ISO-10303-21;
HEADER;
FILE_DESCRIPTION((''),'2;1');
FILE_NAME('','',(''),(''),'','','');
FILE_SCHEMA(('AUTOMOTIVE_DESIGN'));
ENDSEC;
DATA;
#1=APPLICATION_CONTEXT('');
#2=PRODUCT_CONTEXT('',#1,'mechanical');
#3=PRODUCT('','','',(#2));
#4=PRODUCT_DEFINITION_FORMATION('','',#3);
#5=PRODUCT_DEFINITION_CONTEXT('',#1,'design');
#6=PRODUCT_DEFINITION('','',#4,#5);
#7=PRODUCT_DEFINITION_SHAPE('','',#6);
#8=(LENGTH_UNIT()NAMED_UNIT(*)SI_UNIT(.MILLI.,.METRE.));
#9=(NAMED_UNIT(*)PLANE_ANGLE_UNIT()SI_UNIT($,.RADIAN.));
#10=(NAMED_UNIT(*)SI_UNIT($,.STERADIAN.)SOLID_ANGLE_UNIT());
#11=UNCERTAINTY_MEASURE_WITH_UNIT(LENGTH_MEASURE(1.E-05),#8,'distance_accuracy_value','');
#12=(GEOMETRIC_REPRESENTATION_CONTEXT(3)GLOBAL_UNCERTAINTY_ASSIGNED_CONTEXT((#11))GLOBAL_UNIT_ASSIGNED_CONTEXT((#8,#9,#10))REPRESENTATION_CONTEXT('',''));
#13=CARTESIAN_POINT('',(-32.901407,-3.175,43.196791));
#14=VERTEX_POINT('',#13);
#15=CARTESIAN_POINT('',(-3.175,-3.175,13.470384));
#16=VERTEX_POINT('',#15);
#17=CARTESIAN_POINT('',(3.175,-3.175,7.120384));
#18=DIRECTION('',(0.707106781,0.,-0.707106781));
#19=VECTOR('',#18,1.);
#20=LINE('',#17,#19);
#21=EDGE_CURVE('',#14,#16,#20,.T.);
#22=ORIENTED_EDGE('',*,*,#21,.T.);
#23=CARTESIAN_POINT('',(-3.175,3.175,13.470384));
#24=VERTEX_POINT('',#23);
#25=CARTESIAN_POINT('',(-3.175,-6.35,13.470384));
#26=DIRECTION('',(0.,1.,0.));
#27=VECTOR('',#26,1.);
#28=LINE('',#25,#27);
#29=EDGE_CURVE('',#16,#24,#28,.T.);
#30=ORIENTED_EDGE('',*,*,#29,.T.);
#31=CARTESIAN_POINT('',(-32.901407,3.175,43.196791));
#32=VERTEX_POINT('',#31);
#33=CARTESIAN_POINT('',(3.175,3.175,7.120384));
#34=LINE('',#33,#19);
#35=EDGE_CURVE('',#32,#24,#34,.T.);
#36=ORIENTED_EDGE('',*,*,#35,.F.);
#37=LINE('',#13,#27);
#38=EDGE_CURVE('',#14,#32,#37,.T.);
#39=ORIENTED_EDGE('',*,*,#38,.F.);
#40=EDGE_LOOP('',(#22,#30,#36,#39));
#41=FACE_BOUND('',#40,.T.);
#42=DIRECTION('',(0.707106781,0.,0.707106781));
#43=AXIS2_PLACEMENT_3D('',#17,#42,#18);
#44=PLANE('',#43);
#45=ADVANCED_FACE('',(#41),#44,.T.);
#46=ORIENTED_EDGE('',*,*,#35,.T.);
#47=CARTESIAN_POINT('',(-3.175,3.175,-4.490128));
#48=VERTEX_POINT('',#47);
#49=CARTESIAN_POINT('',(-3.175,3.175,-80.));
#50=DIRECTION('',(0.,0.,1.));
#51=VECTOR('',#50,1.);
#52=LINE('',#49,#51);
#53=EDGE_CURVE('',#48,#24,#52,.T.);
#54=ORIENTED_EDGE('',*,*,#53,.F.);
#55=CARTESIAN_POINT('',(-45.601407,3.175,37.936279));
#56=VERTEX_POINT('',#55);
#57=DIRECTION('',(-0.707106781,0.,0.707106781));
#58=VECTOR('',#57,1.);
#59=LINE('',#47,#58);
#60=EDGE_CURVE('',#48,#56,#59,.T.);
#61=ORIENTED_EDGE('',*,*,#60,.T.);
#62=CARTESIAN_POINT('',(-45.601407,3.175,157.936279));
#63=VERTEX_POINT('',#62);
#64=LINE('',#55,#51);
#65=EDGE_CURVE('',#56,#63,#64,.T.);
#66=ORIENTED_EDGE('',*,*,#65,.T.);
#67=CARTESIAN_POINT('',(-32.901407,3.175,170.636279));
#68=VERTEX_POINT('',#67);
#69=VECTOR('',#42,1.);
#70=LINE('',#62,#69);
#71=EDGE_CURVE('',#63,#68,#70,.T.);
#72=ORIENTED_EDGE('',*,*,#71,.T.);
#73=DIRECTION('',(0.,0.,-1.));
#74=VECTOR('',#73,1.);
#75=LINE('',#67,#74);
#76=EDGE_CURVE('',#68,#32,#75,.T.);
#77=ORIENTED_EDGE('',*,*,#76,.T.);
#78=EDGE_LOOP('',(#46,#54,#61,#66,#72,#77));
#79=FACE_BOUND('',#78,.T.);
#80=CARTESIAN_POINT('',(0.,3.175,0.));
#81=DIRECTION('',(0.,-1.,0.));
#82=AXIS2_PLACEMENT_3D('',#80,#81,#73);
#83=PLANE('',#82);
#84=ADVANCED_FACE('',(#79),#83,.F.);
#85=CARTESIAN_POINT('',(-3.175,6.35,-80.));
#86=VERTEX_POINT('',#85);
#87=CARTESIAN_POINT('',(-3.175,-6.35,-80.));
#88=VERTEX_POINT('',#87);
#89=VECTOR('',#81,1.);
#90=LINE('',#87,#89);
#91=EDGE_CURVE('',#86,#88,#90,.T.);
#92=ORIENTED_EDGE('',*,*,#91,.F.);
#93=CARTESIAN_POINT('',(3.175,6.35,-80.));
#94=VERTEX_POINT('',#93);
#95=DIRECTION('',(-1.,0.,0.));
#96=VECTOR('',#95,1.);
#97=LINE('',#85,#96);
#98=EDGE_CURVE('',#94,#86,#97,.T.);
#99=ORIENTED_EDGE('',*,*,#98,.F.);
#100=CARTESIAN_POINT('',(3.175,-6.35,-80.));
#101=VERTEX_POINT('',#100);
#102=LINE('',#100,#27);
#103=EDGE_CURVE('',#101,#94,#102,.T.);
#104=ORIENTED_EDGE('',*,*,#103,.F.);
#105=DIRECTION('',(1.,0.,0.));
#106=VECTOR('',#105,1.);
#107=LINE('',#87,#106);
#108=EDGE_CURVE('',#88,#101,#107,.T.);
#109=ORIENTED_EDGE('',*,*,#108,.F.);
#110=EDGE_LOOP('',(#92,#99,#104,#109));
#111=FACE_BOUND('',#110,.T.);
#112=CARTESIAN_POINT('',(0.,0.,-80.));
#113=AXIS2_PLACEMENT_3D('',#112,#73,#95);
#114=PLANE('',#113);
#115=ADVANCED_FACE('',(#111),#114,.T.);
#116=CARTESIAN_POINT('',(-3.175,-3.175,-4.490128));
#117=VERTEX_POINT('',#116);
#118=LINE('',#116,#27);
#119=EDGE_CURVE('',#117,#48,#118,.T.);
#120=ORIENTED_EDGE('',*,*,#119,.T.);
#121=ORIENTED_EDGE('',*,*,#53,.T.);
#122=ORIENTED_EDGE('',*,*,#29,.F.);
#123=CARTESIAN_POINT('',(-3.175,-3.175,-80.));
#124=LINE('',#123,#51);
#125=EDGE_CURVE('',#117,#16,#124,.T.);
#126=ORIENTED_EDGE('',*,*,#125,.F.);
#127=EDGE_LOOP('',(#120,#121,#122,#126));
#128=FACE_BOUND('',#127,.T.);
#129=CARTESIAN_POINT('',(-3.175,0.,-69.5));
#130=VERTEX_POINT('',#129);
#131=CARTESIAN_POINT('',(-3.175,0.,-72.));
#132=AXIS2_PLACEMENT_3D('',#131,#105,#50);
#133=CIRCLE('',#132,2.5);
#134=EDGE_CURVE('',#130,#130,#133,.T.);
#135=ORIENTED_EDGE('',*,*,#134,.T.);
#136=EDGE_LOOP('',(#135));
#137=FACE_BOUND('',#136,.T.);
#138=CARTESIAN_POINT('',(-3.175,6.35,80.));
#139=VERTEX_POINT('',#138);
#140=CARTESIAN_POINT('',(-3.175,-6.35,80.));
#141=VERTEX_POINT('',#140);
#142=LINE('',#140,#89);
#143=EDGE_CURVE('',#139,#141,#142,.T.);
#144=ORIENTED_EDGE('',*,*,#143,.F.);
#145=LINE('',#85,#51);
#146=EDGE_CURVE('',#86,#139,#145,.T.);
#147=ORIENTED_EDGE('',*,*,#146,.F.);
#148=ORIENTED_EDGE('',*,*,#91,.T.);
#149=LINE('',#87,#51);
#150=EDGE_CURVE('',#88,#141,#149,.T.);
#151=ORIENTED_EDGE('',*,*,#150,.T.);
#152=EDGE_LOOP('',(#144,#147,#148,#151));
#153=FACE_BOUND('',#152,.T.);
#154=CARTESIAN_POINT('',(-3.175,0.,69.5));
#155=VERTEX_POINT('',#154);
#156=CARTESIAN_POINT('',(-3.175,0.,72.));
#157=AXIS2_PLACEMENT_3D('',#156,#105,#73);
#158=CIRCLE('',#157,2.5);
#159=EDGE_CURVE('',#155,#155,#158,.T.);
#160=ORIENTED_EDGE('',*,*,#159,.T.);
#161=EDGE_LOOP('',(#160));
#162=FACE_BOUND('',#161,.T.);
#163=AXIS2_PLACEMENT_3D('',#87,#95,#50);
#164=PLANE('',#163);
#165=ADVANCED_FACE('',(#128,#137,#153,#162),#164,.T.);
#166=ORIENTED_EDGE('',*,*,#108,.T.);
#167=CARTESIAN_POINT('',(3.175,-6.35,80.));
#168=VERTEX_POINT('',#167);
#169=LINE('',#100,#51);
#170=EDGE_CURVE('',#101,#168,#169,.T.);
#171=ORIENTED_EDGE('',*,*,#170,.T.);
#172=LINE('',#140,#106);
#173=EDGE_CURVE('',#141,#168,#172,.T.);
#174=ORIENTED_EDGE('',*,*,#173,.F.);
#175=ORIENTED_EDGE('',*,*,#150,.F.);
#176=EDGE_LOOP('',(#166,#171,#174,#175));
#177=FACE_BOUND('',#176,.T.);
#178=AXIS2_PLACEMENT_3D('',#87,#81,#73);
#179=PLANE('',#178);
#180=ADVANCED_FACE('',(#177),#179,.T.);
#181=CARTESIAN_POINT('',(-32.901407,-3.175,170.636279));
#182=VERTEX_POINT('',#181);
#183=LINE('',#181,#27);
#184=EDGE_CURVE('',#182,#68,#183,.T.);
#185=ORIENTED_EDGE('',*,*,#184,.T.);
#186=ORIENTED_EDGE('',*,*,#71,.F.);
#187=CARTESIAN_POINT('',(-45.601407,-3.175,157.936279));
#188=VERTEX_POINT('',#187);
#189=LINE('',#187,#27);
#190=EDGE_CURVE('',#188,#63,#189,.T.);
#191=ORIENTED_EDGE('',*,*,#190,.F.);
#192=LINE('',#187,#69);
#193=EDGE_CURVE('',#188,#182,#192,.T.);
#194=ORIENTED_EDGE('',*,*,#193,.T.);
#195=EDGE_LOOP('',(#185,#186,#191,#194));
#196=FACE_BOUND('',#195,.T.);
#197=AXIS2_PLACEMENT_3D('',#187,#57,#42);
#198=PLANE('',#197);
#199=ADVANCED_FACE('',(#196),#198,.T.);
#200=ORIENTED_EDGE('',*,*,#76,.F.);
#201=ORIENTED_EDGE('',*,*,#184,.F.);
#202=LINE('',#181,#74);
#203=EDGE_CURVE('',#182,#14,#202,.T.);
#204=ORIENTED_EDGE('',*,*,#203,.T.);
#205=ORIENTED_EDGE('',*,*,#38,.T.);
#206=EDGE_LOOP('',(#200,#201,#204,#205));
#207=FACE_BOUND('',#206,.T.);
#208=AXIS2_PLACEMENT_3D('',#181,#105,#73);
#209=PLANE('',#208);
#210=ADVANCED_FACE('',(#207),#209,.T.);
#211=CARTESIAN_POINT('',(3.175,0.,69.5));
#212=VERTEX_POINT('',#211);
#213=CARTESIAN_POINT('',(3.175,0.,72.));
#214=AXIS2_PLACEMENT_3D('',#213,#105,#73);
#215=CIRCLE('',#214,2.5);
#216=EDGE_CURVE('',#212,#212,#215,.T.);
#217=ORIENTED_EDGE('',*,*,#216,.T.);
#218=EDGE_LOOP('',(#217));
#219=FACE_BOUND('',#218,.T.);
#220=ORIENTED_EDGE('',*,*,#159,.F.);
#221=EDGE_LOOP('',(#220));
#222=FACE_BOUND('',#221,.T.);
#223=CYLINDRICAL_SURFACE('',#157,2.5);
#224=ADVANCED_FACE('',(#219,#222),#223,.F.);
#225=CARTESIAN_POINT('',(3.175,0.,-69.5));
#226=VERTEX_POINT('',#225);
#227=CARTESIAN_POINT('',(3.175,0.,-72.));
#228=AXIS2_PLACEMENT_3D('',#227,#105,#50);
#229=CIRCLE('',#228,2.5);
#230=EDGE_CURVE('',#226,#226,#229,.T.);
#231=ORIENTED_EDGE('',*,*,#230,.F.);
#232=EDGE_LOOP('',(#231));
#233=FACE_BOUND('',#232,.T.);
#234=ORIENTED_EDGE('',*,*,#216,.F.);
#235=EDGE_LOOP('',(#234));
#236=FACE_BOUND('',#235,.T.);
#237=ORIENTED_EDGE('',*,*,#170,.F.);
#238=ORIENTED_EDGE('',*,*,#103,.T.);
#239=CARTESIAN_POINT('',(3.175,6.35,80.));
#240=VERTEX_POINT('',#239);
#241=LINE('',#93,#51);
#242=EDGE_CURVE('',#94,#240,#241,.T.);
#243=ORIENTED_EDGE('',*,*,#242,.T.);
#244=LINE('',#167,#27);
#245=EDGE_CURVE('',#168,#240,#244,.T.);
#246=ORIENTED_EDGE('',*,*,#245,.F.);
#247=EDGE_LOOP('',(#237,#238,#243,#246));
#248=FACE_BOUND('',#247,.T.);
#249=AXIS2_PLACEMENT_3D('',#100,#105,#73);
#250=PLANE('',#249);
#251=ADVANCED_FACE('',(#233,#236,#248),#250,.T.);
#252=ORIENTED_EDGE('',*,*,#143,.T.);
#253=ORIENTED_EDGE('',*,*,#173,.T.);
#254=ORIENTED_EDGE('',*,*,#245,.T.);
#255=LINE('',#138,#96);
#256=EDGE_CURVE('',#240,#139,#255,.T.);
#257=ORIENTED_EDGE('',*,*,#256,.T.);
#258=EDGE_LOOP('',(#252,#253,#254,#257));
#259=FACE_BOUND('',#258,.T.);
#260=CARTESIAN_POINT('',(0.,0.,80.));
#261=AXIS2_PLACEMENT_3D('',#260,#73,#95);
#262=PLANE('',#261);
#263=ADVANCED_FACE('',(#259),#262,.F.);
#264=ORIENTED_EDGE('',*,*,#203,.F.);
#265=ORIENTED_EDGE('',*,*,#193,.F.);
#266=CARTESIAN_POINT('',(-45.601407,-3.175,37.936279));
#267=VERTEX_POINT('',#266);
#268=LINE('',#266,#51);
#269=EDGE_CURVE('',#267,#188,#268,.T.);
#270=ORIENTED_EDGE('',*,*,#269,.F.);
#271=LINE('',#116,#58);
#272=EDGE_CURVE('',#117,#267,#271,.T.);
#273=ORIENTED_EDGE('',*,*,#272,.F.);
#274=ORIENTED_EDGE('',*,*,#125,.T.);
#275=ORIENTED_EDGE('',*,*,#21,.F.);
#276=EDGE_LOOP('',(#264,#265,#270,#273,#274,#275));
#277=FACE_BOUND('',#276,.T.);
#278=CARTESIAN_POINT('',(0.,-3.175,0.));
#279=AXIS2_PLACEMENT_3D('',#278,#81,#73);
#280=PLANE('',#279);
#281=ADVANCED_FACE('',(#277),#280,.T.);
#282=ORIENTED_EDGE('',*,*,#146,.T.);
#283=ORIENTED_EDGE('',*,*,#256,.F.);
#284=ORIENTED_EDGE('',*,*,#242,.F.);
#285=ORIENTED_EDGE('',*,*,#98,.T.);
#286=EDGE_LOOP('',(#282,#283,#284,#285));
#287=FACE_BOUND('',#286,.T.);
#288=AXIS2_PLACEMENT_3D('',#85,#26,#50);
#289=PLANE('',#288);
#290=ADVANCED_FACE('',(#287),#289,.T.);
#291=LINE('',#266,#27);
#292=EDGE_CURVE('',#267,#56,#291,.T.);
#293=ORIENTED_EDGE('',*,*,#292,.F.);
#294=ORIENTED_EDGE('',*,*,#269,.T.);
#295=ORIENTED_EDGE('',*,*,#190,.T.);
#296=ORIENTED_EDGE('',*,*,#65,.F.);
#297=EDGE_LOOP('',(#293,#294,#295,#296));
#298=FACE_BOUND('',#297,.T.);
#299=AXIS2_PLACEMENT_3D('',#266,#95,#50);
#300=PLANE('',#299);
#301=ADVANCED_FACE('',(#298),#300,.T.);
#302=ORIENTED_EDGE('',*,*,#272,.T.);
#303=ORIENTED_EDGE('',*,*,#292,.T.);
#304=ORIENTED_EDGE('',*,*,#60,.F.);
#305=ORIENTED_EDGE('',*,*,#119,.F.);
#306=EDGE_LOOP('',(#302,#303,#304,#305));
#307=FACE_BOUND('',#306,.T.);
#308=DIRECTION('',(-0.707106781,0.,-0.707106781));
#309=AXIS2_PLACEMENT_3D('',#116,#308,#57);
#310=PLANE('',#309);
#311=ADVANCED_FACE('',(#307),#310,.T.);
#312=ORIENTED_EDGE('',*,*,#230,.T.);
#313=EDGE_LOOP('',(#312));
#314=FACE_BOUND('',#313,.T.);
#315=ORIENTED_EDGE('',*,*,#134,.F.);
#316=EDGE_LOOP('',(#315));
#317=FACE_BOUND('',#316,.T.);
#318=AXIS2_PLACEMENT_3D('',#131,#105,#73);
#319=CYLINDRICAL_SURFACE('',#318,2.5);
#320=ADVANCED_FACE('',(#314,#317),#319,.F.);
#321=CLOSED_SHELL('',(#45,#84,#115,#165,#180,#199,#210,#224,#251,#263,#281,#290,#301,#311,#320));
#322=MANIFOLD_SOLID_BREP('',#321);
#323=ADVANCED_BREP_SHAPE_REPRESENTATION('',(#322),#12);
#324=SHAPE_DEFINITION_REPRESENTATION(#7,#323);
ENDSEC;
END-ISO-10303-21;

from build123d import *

# Parameters (mm, degrees)
BOSS_EXTRUDE1_DEPTH      = 80
BOSS_EXTRUDE1_DEPTH_BACK = 80
SKETCH2_W                = 6.35
SKETCH2_H                = 12.7
SKETCH4_R                = 2.5
CUT_EXTRUDE1_DEPTH       = 81.502453379
BOSS_EXTRUDE2_DEPTH      = 3.175
BOSS_EXTRUDE2_DEPTH_BACK = 3.175


with BuildPart() as part:
    # Sketch2 → Boss-Extrude1 (new, two sides: drawn at the far end of the back side and taken through both)
    with BuildSketch(Plane.XY.offset(-BOSS_EXTRUDE1_DEPTH_BACK)):
        Rectangle(SKETCH2_W, SKETCH2_H)
    extrude(amount=BOSS_EXTRUDE1_DEPTH + BOSS_EXTRUDE1_DEPTH_BACK)

    # Sketch4 → Cut-Extrude1 (cut, through all)
    with BuildSketch(Plane(origin=(3.175, 0, 0), x_dir=(0, 0, -1), z_dir=(1, 0, 0))):
        with Locations((-72, 0)):
            Circle(SKETCH4_R)
        with Locations((72, 0)):
            Circle(SKETCH4_R)
    extrude(amount=-CUT_EXTRUDE1_DEPTH, mode=Mode.SUBTRACT)

    # Sketch5 → Boss-Extrude2 (add, two sides: drawn at the far end of the back side and taken through both)
    with BuildSketch(Plane(origin=(0, 0, 0), x_dir=(0, 0, -1), z_dir=(0, 1, 0)).offset(-BOSS_EXTRUDE2_DEPTH_BACK)):
        Polygon((4.490128061, 3.175), (-37.936278811, 45.601406871), (-157.936278811, 45.601406871), (-170.636278811, 32.901406871), (-43.196791053, 32.901406871), (-7.120384182, -3.175), (-1.859871939, -3.175), align=None)
    extrude(amount=BOSS_EXTRUDE2_DEPTH + BOSS_EXTRUDE2_DEPTH_BACK)


solid = part.part
